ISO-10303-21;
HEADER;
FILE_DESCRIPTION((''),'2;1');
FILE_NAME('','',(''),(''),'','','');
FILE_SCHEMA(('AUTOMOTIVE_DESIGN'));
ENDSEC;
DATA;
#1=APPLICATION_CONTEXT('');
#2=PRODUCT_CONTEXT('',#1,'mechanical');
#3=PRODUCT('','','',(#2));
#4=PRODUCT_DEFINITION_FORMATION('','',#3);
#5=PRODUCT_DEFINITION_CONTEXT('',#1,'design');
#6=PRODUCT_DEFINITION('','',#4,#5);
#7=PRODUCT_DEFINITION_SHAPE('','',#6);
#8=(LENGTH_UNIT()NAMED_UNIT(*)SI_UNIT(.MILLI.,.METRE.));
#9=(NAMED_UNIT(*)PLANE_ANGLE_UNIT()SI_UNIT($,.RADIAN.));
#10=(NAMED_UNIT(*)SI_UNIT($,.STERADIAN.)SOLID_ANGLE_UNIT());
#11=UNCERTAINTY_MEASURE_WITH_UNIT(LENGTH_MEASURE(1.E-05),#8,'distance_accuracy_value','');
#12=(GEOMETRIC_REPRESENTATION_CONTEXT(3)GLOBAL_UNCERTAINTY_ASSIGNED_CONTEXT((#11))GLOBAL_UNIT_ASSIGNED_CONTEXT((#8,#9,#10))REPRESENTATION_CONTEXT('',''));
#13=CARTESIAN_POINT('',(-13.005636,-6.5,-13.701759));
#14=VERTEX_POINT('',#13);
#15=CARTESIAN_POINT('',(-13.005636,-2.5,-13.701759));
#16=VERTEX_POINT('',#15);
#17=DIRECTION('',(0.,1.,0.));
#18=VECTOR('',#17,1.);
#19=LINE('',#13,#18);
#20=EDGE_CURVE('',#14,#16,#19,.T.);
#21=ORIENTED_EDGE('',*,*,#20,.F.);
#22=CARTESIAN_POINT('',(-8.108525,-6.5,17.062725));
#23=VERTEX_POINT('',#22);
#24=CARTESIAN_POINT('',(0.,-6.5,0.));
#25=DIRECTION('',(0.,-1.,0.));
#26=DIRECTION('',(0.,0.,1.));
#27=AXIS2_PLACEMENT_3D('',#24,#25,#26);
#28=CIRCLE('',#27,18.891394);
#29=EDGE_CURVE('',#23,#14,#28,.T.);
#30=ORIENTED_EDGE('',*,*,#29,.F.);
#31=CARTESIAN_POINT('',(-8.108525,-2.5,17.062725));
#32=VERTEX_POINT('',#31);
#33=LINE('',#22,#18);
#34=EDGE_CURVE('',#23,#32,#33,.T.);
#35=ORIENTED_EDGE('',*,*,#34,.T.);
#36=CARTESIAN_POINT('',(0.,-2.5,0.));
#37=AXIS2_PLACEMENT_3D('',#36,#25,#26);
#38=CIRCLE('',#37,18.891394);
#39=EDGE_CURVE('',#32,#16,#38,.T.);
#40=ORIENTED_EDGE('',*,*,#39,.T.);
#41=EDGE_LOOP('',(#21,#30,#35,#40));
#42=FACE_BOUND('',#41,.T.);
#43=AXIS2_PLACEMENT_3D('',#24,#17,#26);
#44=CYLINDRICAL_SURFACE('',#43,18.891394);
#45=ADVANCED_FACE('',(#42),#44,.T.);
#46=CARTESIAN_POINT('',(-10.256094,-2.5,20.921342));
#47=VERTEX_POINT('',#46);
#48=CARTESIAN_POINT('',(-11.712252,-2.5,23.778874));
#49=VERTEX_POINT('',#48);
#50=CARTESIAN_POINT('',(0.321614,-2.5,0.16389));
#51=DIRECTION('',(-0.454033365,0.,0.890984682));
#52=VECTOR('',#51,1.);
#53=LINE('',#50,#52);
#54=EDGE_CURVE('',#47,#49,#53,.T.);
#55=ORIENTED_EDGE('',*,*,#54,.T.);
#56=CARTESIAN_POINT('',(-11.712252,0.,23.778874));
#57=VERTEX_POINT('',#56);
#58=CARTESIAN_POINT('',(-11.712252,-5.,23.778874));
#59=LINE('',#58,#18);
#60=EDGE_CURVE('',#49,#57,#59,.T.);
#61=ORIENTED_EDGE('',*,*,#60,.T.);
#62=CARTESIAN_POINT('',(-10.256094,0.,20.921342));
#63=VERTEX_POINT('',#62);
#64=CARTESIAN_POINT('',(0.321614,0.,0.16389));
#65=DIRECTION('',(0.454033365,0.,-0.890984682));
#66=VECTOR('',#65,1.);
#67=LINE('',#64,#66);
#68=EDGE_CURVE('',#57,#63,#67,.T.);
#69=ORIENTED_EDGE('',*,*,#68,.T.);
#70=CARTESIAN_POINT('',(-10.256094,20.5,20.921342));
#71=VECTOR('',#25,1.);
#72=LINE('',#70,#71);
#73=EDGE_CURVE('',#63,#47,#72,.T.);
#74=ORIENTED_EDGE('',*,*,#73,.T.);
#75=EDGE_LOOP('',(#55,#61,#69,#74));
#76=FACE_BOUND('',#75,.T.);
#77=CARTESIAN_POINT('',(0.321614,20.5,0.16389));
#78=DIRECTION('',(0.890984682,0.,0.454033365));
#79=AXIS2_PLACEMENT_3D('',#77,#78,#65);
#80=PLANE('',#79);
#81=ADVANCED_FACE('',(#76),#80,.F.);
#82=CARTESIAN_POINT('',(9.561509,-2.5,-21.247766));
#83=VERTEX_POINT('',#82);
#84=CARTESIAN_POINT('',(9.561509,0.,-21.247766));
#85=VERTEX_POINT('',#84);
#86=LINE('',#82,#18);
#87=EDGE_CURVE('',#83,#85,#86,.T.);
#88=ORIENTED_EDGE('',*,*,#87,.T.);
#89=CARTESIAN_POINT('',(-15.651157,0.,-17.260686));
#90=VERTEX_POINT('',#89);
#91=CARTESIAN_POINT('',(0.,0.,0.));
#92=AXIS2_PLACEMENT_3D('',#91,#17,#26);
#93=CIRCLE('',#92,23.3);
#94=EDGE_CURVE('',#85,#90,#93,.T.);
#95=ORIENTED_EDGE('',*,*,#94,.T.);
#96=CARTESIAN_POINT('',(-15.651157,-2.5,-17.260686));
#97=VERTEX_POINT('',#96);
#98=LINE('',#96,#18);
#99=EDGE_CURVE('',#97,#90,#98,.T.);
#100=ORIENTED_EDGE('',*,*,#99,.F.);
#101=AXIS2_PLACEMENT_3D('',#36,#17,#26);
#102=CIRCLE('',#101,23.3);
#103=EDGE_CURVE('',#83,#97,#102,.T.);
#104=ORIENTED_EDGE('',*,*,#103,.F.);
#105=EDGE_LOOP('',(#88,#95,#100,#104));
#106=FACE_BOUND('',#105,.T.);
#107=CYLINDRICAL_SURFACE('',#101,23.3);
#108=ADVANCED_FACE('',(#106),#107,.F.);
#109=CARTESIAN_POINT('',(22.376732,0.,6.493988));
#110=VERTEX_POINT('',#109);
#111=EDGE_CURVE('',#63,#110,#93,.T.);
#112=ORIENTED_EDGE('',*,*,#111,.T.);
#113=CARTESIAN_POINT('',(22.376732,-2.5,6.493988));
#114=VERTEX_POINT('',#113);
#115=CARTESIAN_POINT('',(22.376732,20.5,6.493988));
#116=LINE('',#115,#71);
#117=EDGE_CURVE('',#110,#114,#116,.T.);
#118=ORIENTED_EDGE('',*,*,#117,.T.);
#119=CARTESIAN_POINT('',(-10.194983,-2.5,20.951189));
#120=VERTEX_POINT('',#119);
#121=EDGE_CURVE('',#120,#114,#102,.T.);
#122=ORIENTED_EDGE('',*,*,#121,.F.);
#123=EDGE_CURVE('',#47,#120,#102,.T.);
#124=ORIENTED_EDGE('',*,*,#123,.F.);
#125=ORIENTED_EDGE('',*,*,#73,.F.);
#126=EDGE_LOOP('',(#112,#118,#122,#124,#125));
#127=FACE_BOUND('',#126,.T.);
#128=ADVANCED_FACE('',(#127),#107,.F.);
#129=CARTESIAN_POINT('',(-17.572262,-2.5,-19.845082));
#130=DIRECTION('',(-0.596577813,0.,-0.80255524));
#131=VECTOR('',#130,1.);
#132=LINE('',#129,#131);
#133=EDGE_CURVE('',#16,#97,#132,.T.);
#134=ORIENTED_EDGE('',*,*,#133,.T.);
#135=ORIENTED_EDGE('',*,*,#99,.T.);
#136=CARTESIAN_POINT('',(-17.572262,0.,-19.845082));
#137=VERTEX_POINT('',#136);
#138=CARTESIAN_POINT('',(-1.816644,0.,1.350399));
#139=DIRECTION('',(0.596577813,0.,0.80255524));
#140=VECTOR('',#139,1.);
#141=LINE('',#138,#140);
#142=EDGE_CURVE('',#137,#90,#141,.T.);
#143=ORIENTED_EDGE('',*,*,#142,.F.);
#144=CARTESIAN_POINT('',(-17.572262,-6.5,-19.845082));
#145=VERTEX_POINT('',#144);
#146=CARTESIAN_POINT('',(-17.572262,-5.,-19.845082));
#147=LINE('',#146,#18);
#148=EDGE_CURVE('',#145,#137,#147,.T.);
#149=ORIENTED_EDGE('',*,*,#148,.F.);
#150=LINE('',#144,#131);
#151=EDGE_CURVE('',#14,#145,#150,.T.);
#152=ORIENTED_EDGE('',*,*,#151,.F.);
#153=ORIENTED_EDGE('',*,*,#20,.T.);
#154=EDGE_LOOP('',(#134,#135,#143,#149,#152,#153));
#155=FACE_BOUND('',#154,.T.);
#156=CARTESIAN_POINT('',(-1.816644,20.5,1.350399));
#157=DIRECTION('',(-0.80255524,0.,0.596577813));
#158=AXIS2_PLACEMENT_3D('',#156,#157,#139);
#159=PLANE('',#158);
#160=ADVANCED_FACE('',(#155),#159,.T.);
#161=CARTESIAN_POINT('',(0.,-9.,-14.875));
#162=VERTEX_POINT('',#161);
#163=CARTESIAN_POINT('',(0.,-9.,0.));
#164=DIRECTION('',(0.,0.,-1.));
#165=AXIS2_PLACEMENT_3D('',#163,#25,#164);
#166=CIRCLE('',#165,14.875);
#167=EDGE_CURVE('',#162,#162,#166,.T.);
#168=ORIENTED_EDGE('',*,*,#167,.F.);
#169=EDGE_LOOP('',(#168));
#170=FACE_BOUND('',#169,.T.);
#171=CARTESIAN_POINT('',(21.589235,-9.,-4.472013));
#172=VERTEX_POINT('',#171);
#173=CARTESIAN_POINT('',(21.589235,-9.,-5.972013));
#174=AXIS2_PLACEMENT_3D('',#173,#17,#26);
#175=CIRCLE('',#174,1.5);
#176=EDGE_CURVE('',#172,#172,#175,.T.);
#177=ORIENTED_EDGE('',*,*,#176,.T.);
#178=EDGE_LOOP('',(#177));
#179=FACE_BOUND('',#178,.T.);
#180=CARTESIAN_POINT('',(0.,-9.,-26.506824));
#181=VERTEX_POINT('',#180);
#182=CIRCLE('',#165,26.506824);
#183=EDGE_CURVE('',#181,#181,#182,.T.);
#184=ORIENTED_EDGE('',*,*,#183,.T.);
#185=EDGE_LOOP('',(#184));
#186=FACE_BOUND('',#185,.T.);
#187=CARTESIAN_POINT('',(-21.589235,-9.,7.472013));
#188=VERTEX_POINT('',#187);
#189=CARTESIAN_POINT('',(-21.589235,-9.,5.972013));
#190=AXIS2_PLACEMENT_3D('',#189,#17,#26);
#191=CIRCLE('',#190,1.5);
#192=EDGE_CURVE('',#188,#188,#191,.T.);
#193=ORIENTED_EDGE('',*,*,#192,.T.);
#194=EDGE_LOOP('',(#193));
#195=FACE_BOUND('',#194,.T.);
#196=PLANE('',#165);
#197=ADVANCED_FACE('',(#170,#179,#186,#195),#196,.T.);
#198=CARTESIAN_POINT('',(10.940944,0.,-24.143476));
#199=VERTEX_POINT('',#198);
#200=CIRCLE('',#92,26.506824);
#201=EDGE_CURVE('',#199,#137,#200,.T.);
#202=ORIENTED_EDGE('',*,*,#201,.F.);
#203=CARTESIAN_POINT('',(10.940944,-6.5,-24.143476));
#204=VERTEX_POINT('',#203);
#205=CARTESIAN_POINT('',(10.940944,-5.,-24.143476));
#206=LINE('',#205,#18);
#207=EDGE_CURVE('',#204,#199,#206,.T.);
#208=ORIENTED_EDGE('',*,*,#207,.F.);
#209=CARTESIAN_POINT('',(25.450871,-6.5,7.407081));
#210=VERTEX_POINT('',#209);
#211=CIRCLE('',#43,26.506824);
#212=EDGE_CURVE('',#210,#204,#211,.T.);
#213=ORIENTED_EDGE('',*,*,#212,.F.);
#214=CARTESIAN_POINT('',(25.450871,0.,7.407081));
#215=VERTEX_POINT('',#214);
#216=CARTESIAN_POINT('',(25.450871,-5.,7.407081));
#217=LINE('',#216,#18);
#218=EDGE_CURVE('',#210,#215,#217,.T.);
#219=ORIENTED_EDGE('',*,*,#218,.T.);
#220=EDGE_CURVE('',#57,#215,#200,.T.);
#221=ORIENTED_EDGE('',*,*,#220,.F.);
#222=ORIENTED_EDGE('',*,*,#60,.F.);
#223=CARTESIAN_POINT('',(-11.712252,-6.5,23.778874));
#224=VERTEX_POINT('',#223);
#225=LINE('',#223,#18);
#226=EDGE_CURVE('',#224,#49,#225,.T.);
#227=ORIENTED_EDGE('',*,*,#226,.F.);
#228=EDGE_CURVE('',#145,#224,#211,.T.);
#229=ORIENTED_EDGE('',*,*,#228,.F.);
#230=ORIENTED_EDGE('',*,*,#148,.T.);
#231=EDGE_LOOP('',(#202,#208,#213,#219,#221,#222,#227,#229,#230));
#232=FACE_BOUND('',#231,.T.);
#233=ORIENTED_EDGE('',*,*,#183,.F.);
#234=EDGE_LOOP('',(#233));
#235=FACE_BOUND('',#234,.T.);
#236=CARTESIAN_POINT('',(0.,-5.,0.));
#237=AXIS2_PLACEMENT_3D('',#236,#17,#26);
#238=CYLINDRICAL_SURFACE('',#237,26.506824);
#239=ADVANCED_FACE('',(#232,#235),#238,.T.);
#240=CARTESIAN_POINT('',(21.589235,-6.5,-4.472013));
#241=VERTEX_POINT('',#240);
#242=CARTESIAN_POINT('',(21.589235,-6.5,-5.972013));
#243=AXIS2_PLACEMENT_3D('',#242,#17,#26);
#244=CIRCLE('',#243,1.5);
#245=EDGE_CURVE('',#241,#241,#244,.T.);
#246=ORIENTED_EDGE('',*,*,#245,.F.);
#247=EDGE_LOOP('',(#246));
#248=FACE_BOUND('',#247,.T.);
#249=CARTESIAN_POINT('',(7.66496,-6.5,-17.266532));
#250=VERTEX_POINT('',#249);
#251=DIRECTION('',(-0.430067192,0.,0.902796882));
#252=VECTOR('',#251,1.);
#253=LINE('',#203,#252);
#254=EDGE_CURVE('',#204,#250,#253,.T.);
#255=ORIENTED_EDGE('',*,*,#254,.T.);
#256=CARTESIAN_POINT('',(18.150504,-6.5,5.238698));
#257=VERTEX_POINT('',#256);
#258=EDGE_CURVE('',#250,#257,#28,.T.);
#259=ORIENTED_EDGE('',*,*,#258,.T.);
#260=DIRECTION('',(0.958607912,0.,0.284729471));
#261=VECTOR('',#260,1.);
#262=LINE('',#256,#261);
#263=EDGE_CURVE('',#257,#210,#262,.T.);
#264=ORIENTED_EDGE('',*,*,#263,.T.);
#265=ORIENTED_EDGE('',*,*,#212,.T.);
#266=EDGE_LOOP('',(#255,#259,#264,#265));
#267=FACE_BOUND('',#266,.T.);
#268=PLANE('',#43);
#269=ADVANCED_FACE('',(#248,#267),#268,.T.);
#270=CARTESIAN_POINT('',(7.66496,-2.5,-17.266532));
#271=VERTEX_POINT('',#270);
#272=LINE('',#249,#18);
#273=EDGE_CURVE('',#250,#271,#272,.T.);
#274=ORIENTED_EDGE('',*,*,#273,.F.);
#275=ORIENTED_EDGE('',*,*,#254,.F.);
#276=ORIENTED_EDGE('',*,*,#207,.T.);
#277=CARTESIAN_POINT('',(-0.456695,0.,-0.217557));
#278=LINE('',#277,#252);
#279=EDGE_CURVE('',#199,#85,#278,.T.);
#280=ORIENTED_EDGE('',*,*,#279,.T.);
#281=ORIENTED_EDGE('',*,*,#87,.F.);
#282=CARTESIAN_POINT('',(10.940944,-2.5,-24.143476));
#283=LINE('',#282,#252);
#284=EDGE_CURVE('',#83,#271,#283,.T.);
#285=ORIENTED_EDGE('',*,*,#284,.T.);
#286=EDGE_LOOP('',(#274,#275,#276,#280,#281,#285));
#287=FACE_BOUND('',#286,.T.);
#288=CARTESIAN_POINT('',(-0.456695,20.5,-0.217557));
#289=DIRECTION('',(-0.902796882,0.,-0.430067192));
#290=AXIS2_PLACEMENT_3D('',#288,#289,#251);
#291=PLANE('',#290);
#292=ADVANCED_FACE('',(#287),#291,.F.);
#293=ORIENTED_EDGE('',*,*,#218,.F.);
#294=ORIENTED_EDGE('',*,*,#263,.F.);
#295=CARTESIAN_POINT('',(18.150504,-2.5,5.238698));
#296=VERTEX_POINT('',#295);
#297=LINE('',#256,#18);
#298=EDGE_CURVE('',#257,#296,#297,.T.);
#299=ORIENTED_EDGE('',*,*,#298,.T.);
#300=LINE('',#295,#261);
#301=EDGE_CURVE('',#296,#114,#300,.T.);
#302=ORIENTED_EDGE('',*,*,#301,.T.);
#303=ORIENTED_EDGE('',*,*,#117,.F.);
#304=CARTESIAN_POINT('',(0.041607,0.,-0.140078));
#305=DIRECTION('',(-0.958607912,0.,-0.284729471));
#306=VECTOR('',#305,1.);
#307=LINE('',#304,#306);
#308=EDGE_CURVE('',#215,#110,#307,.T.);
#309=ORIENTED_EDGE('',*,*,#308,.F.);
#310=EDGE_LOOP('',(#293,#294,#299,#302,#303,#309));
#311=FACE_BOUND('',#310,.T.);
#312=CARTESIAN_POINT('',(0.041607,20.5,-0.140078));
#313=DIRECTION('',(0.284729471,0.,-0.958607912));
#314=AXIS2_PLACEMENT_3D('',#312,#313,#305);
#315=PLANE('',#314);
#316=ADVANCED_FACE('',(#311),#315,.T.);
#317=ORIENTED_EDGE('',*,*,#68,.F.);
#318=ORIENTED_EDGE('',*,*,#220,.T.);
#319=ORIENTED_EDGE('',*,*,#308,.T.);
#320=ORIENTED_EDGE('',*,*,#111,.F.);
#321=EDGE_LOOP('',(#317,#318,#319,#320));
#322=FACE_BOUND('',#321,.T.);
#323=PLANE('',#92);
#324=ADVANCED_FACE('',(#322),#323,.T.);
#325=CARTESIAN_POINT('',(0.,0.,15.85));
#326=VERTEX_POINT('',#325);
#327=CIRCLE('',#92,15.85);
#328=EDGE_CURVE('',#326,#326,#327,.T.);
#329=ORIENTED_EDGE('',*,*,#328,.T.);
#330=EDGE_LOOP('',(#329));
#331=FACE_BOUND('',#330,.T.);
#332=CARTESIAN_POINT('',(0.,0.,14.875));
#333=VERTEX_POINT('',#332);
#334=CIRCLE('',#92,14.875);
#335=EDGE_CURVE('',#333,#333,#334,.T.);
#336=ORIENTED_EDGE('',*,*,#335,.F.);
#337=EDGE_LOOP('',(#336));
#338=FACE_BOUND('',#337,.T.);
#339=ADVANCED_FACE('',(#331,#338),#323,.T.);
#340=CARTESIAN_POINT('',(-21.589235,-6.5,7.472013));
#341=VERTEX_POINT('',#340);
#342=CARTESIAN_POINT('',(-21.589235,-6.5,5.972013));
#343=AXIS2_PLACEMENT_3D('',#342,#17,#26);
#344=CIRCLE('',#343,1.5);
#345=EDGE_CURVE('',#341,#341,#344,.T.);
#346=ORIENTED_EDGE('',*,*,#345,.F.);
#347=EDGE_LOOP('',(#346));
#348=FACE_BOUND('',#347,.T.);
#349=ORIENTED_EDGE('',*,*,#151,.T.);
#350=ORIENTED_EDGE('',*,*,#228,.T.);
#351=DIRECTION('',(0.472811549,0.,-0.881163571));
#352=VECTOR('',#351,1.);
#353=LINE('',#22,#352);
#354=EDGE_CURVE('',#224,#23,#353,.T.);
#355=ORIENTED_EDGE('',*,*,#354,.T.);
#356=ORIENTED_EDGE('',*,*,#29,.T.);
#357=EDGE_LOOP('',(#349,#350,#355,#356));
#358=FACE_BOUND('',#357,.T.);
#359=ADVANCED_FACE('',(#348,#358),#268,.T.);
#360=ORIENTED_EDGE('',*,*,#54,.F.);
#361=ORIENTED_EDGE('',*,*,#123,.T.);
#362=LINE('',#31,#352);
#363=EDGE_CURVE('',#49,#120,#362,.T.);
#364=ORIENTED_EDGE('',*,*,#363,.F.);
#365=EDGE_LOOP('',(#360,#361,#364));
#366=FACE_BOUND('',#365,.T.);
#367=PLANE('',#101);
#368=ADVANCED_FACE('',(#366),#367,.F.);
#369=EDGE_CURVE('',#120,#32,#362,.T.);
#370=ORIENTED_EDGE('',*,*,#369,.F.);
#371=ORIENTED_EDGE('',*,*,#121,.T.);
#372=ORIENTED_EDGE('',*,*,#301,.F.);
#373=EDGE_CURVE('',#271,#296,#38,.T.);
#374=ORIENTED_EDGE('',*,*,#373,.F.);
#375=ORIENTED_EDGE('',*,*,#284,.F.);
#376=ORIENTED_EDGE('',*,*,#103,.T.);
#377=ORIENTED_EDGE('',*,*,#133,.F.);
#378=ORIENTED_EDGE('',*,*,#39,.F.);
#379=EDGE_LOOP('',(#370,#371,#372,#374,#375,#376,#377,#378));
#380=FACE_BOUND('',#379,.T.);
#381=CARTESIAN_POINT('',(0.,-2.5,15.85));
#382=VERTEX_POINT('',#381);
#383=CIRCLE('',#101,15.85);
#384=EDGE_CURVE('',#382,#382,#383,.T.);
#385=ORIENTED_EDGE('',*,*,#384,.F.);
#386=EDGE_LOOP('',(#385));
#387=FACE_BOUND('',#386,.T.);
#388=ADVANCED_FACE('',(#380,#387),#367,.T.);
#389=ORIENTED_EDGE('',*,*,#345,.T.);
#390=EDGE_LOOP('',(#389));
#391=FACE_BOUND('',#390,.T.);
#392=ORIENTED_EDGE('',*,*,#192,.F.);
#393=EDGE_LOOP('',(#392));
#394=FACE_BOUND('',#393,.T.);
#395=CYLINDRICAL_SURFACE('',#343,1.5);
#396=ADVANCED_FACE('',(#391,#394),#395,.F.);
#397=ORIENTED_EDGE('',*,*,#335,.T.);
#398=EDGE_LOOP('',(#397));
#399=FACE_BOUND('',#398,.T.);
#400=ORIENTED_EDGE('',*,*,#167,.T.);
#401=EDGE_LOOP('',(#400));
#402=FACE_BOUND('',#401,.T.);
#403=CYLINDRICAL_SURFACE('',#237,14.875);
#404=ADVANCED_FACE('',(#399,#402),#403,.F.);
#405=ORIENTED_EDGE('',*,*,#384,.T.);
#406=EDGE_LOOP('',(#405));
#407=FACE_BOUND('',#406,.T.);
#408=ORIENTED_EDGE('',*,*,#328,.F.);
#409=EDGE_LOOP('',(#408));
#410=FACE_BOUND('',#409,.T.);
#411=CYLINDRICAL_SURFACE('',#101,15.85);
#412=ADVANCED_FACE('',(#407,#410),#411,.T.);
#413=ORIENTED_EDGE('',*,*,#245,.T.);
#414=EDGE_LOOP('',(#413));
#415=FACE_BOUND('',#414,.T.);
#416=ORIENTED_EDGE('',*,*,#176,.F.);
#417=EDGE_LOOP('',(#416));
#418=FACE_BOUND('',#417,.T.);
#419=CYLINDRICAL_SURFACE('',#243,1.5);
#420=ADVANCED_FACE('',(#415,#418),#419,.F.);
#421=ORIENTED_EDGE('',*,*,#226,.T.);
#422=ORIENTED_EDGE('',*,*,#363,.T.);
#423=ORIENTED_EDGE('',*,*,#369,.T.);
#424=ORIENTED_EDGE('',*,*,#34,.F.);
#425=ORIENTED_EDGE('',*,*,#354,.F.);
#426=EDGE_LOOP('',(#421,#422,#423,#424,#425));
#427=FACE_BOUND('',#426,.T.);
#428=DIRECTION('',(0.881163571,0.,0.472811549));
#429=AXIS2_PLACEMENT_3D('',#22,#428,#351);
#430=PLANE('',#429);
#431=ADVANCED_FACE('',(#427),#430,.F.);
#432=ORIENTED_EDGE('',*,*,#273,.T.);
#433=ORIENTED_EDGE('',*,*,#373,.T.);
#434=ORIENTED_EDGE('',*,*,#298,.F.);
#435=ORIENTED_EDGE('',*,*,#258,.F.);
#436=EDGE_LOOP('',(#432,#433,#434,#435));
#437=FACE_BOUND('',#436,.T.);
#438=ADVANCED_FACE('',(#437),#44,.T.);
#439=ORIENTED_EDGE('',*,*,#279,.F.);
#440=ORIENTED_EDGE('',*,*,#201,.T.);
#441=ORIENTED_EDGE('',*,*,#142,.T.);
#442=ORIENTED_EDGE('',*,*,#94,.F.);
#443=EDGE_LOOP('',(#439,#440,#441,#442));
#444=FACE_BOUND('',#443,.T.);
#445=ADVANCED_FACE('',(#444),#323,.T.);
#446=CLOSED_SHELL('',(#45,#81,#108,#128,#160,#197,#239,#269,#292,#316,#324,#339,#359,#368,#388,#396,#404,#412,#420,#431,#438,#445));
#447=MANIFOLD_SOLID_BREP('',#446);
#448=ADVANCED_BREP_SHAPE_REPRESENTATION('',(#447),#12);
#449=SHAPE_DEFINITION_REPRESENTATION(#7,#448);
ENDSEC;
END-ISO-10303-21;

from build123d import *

# Parameters (mm, degrees)
ESQUISSE1_R                = 26.506823587
ESQUISSE1_R_2              = 14.875
BOSS_EXTRU_1_DEPTH         = 5
ESQUISSE2_R                = 23.3
ESQUISSE2_R_2              = 15.85
ENL_V_MAT_EXTRU_1_DEPTH    = 2.5
SKETCH1_R                  = 26.506823587
BOSS_EXTRUDE1_DEPTH        = 50
CUT_EXTRUDE6_START         = -46
SKETCH10_R                 = 26.506823587
CUT_EXTRUDE6_DEPTH         = 46
CUT_EXTRUDE7_START         = 23
CUT_EXTRUDE7_DEPTH         = 23
CUT_EXTRUDE8_DEPTH         = 4
SKETCH13_R                 = 14.875
CUT_EXTRUDE9_DEPTH         = 10
TROUS_DE_CENTRAGE_3_0MM1_D = 3


with BuildPart() as part:
    # Esquisse1 → Boss.-Extru.1 (new body)
    with BuildSketch(Plane(origin=(0, 0, 0), x_dir=(1, 0, 0), z_dir=(0, 1, 0))):
        Circle(ESQUISSE1_R)
        Circle(ESQUISSE1_R_2, mode=Mode.SUBTRACT)
    extrude(amount=-BOSS_EXTRU_1_DEPTH)

    # Esquisse2 → Enlèv. mat.-Extru.1 (cut)
    with BuildSketch(Plane(origin=(0, 0, 0), x_dir=(1, 0, 0), z_dir=(0, 1, 0))):
        Circle(ESQUISSE2_R)
        Circle(ESQUISSE2_R_2, mode=Mode.SUBTRACT)
    extrude(amount=-ENL_V_MAT_EXTRU_1_DEPTH, mode=Mode.SUBTRACT)

    # Sketch1 → Boss-Extrude1 (add)
    with BuildSketch(Plane.XZ.offset(5)):
        Circle(SKETCH1_R)
    extrude(amount=BOSS_EXTRUDE1_DEPTH)

    # Sketch10 → Cut-Extrude6 (cut)
    with BuildSketch(Plane.XZ.offset(55).offset(CUT_EXTRUDE6_START)):
        Circle(SKETCH10_R)
    extrude(amount=CUT_EXTRUDE6_DEPTH, mode=Mode.SUBTRACT)

    # Sketch11 → Cut-Extrude7 (cut)
    with BuildSketch(Plane(origin=(0, -2.5, 0), x_dir=(1, 0, 0), z_dir=(0, 1, 0)).offset(CUT_EXTRUDE7_START)):
        with BuildLine():
            ThreePointArc((3.089292847, -15.546021025), (-7.106964395, -14.192172687), (-14.298787433, -6.838653226))
            ThreePointArc((-14.298787433, -6.838653226), (-15.6186236, 2.698350765), (-11.17547923, 11.239713697))
            Line((-11.17547923, 11.239713697), (-18.357041818, 20.900818346))
            ThreePointArc((-18.357041818, 20.900818346), (-27.289505672, -3.550750304), (-12.221843482, -24.778884374))
            Line((-12.221843482, -24.778884374), (-10.256093613, -20.921341826))
            ThreePointArc((-10.256093613, -20.921341826), (9.421496674, -21.310218216), (22.376731607, -6.493988189))
            Line((22.376731607, -6.493988189), (27.230046935, -7.935538889))
            ThreePointArc((27.230046935, -7.935538889), (25.871646158, 11.865956721), (11.723526474, 25.786272467))
            Line((11.723526474, 25.786272467), (6.35639752, 14.519597466))
            ThreePointArc((6.35639752, 14.519597466), (7.430217711, 14.000513018), (8.46196456, 13.402151163))
            ThreePointArc((8.46196456, 13.402151163), (14.880283403, 6.412842881), (15.55329147, -3.052478411))
            ThreePointArc((15.55329147, -3.052478411), (11.220901892, -11.194367366), (3.089292847, -15.546021025))
        make_face()
    extrude(amount=-CUT_EXTRUDE7_DEPTH, mode=Mode.SUBTRACT)

    # Sketch12 → Cut-Extrude8 (cut)
    with BuildSketch(Plane(origin=(0, -2.5, 0), x_dir=(1, 0, 0), z_dir=(0, 1, 0))):
        with BuildLine():
            Line((-17.572262491, 19.845082201), (-13.005635601, 13.70175897))
            ThreePointArc((-13.005635601, 13.70175897), (-18.656508539, -2.969755104), (-8.108525171, -17.062724747))
            Line((-8.108525171, -17.062724747), (-11.712252125, -23.77887396))
            ThreePointArc((-11.712252125, -23.77887396), (-26.270860033, -3.528967239), (-17.572262491, 19.845082201))
        make_face()
        with BuildLine():
            Line((10.940944201, 24.143476068), (7.664960465, 17.26653229))
            ThreePointArc((7.664960465, 17.26653229), (17.123986027, 7.978336844), (18.150504226, -5.238697604))
            Line((18.150504226, -5.238697604), (25.450871211, -7.407081157))
            ThreePointArc((25.450871211, -7.407081157), (24.082160878, 11.075252778), (10.940944201, 24.143476068))
        make_face()
    extrude(amount=-CUT_EXTRUDE8_DEPTH, mode=Mode.SUBTRACT)

    # Sketch13 → Cut-Extrude9 (cut)
    with BuildSketch(Plane(origin=(0, -5, 0), x_dir=(1, 0, 0), z_dir=(0, 1, 0))):
        Circle(SKETCH13_R)
    extrude(amount=-CUT_EXTRUDE9_DEPTH, mode=Mode.SUBTRACT)

    # Trous de centrage Ø3.0mm1 (through all)
    with Locations(Plane(origin=(0, -6.5, 0), x_dir=(1, 0, 0), z_dir=(0, 1, 0))):
        with Locations((-21.589234965, -5.972012529), (21.589234965, 5.972012529)):
            Hole(TROUS_DE_CENTRAGE_3_0MM1_D / 2)


solid = part.part
